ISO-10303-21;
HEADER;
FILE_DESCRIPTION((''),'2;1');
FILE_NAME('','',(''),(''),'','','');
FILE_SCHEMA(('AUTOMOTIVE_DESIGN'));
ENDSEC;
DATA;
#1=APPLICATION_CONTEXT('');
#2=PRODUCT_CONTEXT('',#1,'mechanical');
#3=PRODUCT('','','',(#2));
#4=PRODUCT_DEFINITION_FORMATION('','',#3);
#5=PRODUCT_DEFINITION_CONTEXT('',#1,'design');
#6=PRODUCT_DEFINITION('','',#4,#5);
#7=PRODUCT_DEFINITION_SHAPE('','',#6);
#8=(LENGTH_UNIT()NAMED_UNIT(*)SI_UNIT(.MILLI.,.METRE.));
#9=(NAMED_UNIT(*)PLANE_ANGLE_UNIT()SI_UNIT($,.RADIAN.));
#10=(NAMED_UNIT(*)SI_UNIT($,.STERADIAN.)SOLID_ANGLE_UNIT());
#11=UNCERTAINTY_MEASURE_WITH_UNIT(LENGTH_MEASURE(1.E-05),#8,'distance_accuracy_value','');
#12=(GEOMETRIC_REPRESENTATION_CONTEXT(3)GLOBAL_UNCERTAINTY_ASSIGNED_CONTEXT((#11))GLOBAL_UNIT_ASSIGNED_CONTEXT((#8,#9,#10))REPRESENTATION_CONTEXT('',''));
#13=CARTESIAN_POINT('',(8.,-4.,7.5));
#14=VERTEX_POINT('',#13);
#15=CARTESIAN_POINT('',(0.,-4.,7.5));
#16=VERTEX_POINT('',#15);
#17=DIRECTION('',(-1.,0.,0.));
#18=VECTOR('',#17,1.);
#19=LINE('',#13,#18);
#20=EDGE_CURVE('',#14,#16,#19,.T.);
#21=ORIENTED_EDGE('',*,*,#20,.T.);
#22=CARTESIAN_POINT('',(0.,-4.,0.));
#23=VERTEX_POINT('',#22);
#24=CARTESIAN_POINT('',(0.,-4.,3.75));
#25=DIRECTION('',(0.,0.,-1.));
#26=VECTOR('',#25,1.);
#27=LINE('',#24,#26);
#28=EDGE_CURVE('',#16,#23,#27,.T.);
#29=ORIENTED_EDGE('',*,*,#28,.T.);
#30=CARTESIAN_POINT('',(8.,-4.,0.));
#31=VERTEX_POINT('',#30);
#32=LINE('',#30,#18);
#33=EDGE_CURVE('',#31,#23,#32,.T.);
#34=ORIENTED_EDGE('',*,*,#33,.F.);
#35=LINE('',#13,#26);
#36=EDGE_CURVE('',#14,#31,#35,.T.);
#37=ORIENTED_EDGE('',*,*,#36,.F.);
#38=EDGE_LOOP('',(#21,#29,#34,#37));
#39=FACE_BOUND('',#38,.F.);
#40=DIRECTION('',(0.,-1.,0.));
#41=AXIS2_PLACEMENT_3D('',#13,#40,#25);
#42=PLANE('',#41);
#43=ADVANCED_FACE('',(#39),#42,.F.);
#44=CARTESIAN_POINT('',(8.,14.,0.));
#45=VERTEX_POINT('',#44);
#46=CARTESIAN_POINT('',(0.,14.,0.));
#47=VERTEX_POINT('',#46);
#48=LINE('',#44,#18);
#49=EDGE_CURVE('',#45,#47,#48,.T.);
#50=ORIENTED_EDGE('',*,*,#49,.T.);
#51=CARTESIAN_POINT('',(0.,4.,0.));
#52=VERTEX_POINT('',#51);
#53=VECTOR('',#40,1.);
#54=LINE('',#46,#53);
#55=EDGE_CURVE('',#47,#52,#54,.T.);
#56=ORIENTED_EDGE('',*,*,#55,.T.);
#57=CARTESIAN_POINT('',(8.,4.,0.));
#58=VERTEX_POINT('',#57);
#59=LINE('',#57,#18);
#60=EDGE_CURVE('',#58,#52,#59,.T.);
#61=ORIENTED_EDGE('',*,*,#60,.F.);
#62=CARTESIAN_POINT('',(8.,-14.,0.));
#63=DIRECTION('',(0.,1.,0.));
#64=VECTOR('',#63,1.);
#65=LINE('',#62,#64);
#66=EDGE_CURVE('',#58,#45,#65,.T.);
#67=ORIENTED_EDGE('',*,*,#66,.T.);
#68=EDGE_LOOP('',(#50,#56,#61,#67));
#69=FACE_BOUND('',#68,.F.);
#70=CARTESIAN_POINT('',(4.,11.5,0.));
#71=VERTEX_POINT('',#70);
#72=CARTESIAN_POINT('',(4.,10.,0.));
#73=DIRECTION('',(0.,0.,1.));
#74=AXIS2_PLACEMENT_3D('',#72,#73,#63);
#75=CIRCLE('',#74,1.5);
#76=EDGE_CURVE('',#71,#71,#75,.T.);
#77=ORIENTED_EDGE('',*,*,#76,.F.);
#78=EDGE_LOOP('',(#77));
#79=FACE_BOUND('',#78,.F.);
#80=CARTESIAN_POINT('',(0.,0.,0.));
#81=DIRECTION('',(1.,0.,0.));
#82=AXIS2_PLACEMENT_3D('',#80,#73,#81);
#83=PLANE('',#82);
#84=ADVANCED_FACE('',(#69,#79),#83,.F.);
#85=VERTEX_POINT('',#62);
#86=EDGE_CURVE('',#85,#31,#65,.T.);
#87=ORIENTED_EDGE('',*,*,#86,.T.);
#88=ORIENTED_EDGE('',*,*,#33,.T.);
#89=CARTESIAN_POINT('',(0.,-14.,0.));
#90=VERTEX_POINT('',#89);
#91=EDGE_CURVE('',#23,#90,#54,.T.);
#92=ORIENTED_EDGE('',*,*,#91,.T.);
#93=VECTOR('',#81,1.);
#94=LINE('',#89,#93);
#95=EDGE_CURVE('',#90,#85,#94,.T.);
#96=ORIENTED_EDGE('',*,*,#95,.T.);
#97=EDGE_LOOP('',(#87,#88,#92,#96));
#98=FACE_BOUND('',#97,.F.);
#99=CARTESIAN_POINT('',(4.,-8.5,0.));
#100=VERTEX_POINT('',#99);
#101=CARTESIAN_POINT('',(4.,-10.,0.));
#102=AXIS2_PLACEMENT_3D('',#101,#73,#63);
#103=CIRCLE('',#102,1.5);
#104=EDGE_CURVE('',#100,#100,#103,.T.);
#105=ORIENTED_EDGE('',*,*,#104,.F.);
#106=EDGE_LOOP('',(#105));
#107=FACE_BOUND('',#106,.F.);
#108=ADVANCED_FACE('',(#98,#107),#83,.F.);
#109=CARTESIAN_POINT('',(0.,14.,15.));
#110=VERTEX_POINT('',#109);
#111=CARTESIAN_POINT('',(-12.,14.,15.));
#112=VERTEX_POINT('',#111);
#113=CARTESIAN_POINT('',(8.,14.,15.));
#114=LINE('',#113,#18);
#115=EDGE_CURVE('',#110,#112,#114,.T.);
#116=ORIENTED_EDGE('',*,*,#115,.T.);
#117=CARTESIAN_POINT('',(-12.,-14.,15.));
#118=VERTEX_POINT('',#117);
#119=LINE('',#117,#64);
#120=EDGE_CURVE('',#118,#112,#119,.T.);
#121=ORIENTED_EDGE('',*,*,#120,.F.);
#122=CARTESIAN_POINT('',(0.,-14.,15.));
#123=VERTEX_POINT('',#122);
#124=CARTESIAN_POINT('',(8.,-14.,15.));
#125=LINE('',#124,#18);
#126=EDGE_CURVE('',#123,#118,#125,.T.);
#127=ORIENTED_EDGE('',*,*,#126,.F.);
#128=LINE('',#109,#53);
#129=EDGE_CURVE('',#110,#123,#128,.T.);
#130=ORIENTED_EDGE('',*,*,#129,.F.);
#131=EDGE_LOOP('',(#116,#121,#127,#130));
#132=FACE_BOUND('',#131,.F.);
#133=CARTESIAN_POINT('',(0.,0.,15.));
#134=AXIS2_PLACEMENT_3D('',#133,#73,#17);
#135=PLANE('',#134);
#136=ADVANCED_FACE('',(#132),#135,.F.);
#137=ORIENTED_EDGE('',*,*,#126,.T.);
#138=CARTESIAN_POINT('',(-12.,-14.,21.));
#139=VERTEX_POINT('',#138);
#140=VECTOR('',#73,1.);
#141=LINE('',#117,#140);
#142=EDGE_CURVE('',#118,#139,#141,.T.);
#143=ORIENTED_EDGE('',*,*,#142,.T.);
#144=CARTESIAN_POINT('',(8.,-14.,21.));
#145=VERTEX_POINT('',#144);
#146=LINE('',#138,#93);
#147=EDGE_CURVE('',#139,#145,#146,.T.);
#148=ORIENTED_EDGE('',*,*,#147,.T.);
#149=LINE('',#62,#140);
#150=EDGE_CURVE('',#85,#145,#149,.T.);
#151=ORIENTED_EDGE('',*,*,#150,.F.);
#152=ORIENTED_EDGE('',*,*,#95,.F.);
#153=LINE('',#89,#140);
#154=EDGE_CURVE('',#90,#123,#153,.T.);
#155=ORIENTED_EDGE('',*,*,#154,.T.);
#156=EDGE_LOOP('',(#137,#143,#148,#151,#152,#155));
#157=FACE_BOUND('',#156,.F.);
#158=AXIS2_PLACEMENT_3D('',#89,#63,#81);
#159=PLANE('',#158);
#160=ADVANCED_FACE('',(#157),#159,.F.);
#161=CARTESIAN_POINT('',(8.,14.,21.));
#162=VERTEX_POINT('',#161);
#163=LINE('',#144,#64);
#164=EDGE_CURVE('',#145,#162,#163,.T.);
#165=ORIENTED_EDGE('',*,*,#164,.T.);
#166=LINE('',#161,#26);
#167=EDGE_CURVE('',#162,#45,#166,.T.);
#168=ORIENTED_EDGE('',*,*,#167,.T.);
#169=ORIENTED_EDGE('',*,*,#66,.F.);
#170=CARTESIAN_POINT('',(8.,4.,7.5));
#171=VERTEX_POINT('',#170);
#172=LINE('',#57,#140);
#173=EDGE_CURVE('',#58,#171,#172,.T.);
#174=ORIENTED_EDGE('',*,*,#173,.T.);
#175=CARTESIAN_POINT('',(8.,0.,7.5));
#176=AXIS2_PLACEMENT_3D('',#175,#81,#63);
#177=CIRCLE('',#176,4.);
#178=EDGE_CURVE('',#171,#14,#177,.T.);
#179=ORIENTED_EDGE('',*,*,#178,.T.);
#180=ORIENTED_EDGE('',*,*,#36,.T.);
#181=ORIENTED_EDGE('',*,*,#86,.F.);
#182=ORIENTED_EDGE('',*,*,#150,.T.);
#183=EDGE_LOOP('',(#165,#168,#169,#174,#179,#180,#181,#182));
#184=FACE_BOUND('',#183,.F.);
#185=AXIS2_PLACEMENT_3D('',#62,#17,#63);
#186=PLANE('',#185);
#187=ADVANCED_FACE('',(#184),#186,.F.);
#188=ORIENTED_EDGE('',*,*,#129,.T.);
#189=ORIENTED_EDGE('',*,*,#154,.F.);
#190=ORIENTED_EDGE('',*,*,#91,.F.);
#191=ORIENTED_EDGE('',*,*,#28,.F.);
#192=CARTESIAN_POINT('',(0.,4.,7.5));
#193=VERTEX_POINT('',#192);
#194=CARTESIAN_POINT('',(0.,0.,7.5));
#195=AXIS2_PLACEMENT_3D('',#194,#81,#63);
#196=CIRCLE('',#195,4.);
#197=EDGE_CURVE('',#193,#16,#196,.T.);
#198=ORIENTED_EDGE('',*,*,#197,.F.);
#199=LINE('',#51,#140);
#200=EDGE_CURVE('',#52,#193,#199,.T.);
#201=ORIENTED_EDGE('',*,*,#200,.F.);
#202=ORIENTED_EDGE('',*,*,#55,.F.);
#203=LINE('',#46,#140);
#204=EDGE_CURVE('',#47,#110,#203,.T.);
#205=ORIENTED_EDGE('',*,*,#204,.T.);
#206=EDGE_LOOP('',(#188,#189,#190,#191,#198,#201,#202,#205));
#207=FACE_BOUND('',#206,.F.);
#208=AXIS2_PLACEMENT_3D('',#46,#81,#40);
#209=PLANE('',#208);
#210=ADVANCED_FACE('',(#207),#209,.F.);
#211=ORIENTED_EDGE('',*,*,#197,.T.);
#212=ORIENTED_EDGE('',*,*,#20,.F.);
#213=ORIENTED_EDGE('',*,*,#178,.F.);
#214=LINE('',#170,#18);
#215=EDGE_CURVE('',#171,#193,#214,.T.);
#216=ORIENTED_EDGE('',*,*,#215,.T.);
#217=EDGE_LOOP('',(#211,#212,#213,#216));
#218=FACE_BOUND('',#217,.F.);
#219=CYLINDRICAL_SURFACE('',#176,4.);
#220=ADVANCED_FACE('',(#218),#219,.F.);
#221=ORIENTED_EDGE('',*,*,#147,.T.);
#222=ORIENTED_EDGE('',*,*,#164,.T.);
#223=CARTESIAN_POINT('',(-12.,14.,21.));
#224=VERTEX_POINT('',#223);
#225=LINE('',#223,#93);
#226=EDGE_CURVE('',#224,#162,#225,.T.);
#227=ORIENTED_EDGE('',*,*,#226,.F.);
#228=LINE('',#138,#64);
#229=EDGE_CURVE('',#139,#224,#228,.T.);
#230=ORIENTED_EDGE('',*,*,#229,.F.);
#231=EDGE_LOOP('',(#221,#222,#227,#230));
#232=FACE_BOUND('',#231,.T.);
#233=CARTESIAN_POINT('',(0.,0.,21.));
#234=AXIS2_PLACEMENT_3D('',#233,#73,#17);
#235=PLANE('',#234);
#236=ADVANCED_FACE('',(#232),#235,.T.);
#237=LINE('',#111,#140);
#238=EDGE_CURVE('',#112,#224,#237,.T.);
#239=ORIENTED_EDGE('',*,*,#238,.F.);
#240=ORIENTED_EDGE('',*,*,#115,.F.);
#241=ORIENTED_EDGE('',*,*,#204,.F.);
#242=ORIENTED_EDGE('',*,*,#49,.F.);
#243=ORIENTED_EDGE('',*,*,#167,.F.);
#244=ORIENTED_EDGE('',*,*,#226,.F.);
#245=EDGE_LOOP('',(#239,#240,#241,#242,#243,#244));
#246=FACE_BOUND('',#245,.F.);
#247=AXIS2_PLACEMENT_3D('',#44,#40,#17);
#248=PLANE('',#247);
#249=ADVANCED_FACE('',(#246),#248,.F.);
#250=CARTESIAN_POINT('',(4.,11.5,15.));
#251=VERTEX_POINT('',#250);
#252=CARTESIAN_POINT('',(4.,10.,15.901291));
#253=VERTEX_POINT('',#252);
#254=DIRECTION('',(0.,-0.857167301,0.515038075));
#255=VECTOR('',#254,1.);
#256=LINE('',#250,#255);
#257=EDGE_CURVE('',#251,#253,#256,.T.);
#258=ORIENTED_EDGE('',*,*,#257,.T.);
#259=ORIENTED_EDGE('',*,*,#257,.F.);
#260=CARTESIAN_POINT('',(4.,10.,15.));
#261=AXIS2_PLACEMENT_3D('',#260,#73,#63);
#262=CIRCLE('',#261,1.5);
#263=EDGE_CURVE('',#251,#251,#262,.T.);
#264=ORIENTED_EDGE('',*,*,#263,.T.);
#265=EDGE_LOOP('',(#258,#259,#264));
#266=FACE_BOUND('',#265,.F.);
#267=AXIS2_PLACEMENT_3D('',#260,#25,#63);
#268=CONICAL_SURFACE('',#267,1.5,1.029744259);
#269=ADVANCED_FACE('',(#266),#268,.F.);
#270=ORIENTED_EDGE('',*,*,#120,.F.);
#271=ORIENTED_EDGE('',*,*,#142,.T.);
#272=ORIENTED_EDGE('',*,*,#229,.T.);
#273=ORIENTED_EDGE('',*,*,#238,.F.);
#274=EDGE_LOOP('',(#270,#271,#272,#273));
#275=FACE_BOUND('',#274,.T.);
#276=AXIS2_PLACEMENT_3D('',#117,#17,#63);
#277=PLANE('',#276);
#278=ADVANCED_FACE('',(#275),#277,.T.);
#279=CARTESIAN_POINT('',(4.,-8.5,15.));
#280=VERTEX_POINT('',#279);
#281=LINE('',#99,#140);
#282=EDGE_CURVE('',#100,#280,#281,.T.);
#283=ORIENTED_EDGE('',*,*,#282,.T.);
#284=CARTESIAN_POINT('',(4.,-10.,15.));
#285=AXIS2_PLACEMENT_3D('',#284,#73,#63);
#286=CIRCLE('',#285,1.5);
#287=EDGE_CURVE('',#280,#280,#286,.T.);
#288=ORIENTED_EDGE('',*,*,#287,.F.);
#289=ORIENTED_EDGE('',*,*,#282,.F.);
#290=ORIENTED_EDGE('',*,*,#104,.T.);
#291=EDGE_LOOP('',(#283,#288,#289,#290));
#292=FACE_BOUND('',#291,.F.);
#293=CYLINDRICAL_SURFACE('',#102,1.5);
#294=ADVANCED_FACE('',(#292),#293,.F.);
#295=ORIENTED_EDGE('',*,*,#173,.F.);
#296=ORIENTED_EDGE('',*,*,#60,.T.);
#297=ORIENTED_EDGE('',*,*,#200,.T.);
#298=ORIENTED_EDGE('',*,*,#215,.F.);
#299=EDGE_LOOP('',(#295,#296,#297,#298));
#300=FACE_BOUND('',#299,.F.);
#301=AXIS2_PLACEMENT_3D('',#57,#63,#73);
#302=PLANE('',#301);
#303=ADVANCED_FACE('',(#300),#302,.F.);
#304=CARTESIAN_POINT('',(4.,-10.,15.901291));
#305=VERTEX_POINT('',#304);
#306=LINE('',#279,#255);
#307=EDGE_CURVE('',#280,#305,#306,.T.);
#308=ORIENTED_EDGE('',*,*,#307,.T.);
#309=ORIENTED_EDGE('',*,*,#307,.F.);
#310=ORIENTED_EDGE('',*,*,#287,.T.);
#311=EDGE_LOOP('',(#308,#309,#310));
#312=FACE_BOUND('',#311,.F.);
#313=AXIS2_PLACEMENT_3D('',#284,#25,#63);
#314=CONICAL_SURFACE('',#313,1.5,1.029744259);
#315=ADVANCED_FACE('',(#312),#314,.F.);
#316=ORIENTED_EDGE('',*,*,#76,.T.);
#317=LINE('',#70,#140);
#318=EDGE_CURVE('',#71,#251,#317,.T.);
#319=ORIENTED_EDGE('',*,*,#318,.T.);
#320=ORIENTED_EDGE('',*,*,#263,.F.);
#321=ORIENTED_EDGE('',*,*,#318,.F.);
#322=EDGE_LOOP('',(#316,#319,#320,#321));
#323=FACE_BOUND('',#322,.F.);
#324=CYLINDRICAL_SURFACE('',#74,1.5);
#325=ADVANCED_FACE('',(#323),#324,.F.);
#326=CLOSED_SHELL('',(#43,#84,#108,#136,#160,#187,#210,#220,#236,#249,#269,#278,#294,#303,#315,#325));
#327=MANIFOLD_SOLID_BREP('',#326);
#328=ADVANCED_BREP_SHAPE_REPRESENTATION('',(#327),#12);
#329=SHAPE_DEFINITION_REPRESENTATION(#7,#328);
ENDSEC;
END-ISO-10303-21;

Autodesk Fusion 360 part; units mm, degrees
sketch "スケッチ1" plane through (0, 0, 0) normal (0, 0, 1) x (1, 0, 0)
  line L0 (0, -14) -> (8, -14)
  line L1 (8, -14) -> (8, 14)
  line L2 (8, 14) -> (0, 14)
  line L3 (0, 14) -> (0, -14)
  dimension "d1" = 8
  dimension "d2" = 28
extrude "押し出し1" add sketch "スケッチ1" along normal blind 15
sketch "スケッチ2" plane through (0, 0, 15) normal (0, 0, 1) x (-1, 0, 0)
  line L0 (0, -14) -> (0, 14)
  line L1 (0, 14) -> (-8, 14)
  line L2 (-8, 14) -> (-8, -14)
  line L3 (-8, -14) -> (0, -14)
  line L4 (12, -14) -> (-8, -14)
  line L5 (-8, -14) -> (-8, 14)
  line L6 (-8, 14) -> (12, 14)
  line L7 (12, 14) -> (12, -14)
  dimension "d5" = 20
extrude "押し出し2" add sketch "スケッチ2" along normal blind 6
sketch "スケッチ3" plane through (8, 0, 0) normal (1, 0, 0) x (0, 1, 0)
  line L0 (-14, 0) -> (14, 0)
  line L1 (14, 0) -> (14, 21)
  line L2 (14, 21) -> (-14, 21)
  line L3 (-14, 21) -> (-14, 0)
  line L4 (-4, 0) -> (4, 0)
  line L5 (4, 0) -> (4, 7.5)
  line L6 (4, 7.5) -> (-4, 7.5)
  line L7 (-4, 7.5) -> (-4, 0)
  circle A0 centre (0, 7.5) radius 4
  dimension "d8" = 8
  dimension "d9" = 7.5
extrude "押し出し3" cut sketch "スケッチ3" against normal through all contours L0 L4 L5 L7 A0 | L6 A0 | L6 A0
sketch "スケッチ4" plane through (0, 0, 0) normal (0, 0, -1) x (1, 0, 0)
  line L0 (0, 4) -> (8, 4)
  line L1 (8, 4) -> (8, 14)
  line L2 (8, 14) -> (0, 14)
  line L3 (0, 14) -> (0, 4)
  line L4 (4, 10) -> (4, -10)
  line L5 (8, -14) -> (0, -14)
  point P0 (4, 14)
  dimension "d11" = 4
  dimension "d12" = 4
hole "穴1" at (4, -10, 0) at (4, 10, 0) direction (0, 0, 1) diameter 3 depth 15 tip angle 118
thread "ねじ1"
